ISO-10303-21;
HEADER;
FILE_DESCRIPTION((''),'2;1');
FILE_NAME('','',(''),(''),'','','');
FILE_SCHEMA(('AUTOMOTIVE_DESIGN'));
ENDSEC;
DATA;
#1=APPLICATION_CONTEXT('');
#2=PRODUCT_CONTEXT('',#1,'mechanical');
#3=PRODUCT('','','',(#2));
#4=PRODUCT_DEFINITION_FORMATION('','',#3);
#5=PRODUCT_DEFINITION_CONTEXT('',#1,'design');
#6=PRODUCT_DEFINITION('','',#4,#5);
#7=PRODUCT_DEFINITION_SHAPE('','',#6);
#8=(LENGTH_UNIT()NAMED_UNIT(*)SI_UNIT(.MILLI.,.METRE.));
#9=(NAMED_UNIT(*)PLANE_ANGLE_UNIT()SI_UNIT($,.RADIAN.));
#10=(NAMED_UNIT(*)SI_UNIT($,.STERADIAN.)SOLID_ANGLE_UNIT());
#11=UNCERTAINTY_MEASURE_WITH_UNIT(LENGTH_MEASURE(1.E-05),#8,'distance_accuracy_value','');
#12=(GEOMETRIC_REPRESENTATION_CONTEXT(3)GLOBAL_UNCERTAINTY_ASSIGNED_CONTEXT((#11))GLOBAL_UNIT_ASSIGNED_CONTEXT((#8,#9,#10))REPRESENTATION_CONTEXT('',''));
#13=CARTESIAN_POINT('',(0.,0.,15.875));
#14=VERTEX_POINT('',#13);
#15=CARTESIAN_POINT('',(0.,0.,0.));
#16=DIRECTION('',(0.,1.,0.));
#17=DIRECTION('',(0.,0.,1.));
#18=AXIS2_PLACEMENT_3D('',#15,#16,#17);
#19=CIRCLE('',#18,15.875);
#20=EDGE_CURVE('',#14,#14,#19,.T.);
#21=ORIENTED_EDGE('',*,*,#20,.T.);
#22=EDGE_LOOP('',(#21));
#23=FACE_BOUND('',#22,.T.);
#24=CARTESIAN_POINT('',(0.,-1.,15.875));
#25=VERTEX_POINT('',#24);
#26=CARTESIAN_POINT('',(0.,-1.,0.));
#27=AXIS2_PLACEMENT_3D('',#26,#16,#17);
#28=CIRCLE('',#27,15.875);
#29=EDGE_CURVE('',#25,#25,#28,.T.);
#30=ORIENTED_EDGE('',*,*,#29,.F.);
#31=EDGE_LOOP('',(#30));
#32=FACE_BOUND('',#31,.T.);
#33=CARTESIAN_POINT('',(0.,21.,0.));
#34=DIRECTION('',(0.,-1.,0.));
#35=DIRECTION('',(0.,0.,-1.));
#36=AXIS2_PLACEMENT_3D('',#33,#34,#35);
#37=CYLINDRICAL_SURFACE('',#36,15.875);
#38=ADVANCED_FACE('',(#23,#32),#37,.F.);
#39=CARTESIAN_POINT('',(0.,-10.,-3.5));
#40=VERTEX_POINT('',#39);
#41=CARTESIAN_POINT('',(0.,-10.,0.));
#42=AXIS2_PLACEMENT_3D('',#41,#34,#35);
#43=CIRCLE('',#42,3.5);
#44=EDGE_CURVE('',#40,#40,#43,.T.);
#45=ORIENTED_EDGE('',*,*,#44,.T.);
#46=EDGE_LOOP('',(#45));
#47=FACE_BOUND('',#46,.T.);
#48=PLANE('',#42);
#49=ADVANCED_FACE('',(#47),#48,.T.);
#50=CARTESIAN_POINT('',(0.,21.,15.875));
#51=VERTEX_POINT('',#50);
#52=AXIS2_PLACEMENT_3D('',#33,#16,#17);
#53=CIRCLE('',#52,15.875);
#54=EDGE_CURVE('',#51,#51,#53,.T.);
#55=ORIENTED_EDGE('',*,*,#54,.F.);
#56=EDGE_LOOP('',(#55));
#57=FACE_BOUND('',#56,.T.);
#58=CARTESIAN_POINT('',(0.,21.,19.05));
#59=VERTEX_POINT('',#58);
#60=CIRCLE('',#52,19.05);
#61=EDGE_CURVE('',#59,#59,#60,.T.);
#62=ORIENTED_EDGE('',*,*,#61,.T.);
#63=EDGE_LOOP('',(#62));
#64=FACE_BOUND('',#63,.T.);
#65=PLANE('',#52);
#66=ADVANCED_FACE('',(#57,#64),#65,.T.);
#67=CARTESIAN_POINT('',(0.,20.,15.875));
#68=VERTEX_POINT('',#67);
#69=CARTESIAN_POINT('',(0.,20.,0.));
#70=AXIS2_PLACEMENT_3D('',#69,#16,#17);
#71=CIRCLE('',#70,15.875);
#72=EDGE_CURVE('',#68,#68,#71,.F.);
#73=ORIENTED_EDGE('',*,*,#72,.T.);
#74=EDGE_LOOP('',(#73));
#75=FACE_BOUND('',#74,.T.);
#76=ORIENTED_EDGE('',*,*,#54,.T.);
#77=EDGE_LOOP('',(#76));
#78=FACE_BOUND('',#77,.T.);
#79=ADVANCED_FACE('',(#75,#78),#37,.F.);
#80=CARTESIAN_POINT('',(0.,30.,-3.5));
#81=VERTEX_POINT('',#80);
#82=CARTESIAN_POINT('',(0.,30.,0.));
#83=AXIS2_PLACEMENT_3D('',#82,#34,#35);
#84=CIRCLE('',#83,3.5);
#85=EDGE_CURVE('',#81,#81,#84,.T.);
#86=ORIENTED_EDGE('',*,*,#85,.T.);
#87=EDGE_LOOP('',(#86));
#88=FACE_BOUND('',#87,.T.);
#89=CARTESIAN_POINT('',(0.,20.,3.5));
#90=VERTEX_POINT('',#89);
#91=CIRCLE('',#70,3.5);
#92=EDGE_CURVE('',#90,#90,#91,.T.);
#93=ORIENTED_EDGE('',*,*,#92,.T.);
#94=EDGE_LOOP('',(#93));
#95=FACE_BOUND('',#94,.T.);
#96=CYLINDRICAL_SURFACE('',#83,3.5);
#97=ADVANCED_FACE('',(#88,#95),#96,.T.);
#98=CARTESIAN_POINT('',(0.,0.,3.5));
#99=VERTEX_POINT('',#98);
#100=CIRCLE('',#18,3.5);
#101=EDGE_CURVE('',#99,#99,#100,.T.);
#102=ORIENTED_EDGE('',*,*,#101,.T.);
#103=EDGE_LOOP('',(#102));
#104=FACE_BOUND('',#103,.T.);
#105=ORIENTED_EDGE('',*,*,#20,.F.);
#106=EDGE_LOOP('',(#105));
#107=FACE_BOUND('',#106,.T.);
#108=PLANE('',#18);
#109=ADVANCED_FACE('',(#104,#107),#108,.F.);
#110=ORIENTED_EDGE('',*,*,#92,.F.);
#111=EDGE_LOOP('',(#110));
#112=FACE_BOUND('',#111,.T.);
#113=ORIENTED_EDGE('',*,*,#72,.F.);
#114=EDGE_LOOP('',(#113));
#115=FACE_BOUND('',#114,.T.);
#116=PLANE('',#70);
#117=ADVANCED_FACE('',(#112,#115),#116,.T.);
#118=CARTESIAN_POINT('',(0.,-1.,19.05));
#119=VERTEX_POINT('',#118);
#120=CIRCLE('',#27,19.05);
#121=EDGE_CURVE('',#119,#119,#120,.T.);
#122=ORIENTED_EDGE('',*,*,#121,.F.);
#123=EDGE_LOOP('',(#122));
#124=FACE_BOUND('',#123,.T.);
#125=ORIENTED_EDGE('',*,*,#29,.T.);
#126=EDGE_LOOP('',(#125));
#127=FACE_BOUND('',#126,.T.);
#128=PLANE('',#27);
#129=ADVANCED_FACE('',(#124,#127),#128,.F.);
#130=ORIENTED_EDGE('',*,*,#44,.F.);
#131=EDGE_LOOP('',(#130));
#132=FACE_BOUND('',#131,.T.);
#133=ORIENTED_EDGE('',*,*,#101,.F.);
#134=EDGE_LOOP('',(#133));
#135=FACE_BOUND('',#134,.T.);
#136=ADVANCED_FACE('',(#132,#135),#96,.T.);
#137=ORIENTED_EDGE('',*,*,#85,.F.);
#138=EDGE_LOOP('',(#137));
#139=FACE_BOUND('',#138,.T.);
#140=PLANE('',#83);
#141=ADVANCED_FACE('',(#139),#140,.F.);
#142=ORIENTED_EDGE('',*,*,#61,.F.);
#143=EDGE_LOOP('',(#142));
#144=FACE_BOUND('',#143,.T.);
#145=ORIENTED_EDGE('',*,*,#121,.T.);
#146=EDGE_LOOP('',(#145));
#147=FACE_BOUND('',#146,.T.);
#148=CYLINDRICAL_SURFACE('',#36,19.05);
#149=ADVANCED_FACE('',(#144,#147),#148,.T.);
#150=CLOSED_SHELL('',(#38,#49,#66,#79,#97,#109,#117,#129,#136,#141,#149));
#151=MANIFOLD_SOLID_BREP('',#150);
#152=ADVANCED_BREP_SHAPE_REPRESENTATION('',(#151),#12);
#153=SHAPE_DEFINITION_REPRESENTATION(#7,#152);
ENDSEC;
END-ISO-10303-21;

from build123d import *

# Parameters (mm, degrees)
SKETCH1_R                = 15.875
BOSS_EXTRUDE1_DEPTH      = 20
SKETCH2_R                = 3.5
BOSS_EXTRUDE2_DEPTH      = 10
BOSS_EXTRUDE2_DEPTH_BACK = 30
SKETCH3_R                = 19.05
SKETCH3_R_2              = 15.875
BOSS_EXTRUDE3_DEPTH      = 21
BOSS_EXTRUDE3_DEPTH_BACK = 1


with BuildPart() as part:
    # Sketch1 → Boss-Extrude1 (new body)
    with BuildSketch(Plane(origin=(0, 0, 0), x_dir=(1, 0, 0), z_dir=(0, 1, 0))):
        Circle(SKETCH1_R)
    extrude(amount=BOSS_EXTRUDE1_DEPTH)

    # Sketch2 → Boss-Extrude2 (add, two sides)
    with BuildSketch(Plane.XZ) as boss_extrude2_sk:
        Circle(SKETCH2_R)
    extrude(amount=BOSS_EXTRUDE2_DEPTH)
    extrude(boss_extrude2_sk.sketch, amount=-BOSS_EXTRUDE2_DEPTH_BACK)

    # Sketch3 → Boss-Extrude3 (add, two sides)
    with BuildSketch(Plane(origin=(0, 0, 0), x_dir=(1, 0, 0), z_dir=(0, 1, 0))) as boss_extrude3_sk:
        Circle(SKETCH3_R)
        Circle(SKETCH3_R_2, mode=Mode.SUBTRACT)
    extrude(amount=BOSS_EXTRUDE3_DEPTH)
    extrude(boss_extrude3_sk.sketch, amount=-BOSS_EXTRUDE3_DEPTH_BACK)


solid = part.part
